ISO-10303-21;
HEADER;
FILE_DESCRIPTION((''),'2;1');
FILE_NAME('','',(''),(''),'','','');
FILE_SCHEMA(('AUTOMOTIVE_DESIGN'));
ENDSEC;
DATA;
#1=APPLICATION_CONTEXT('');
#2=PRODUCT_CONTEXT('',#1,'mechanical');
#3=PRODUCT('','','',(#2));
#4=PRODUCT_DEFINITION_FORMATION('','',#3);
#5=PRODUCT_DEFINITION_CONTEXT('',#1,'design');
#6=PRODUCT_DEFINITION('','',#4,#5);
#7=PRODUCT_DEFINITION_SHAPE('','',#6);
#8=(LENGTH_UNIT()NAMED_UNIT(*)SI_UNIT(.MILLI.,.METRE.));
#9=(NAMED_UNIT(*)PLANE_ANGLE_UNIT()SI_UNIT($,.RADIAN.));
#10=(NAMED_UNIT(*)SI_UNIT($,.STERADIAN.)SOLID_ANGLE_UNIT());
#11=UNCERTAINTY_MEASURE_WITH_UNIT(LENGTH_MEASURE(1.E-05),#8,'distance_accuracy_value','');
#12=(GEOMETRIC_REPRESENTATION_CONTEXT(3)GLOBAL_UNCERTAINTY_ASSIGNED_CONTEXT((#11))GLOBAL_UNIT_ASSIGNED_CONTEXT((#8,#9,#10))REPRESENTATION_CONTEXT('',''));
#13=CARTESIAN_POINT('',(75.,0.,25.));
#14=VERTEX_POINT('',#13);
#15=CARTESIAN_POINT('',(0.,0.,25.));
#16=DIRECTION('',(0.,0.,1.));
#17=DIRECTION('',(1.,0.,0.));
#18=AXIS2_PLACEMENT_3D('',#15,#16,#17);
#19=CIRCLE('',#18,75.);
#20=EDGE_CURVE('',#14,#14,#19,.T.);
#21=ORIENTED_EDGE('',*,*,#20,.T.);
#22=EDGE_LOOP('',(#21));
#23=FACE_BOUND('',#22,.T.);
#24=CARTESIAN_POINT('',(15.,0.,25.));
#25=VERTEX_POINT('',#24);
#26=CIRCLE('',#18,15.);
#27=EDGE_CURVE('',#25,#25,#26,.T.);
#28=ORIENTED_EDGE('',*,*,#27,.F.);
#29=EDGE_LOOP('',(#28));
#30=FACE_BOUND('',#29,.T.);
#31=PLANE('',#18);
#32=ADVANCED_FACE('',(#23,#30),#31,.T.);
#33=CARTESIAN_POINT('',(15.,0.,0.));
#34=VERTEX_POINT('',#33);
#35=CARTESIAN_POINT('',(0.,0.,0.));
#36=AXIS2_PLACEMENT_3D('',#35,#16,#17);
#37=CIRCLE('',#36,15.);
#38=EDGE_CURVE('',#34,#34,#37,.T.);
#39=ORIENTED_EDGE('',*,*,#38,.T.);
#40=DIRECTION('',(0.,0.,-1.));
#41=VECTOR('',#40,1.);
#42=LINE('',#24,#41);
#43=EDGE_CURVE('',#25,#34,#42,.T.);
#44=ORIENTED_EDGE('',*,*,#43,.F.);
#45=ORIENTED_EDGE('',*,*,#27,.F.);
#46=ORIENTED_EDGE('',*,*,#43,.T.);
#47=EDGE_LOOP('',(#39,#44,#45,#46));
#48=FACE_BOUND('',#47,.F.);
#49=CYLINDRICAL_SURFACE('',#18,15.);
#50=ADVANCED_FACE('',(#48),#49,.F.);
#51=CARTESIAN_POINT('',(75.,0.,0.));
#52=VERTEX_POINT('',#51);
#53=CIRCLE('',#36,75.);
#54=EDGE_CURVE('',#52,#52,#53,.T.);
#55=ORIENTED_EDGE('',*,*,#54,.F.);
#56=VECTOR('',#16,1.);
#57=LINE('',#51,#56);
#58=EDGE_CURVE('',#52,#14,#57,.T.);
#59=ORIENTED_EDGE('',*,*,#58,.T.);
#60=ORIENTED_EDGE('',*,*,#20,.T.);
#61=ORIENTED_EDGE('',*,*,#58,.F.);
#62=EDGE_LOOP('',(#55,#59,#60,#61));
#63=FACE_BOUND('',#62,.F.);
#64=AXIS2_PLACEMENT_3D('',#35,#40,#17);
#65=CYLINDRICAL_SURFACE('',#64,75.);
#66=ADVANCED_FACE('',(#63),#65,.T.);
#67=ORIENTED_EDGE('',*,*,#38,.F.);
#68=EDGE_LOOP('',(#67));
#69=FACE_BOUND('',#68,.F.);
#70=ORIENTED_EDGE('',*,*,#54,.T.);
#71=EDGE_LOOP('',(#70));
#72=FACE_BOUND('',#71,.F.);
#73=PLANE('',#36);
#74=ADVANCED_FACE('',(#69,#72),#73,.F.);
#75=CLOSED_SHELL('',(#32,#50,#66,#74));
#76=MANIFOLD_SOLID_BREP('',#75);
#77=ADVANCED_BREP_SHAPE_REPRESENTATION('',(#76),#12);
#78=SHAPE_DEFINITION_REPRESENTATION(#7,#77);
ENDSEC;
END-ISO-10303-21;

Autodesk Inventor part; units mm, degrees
ref_plane "YZ Plane" through (0, 0, 0) normal (1, 0, 0) x (0, 1, 0)
ref_plane "XZ Plane" through (0, 0, 0) normal (0, 1, 0) x (-1, 0, 0)
ref_plane "XY Plane" through (0, 0, 0) normal (0, 0, 1) x (1, 0, 0)
sketch "Sketch1" plane through (0, 0, 0) normal (0, 0, 1) x (1, 0, 0)
  circle A0 centre (0, 0) radius 75
  dimension "d0" = 150
extrude "Extrusion1" add sketch "Sketch1" along normal blind 25
sketch "Sketch2" plane through (0, 0, 25) normal (0, 0, 1) x (1, 0, 0)
  circle A0 centre (0, 0) radius 15
  dimension "d3" = 30
extrude "Extrusion2" cut sketch "Sketch2" against normal through all
properties part number "Wheel" material "Rubber"
